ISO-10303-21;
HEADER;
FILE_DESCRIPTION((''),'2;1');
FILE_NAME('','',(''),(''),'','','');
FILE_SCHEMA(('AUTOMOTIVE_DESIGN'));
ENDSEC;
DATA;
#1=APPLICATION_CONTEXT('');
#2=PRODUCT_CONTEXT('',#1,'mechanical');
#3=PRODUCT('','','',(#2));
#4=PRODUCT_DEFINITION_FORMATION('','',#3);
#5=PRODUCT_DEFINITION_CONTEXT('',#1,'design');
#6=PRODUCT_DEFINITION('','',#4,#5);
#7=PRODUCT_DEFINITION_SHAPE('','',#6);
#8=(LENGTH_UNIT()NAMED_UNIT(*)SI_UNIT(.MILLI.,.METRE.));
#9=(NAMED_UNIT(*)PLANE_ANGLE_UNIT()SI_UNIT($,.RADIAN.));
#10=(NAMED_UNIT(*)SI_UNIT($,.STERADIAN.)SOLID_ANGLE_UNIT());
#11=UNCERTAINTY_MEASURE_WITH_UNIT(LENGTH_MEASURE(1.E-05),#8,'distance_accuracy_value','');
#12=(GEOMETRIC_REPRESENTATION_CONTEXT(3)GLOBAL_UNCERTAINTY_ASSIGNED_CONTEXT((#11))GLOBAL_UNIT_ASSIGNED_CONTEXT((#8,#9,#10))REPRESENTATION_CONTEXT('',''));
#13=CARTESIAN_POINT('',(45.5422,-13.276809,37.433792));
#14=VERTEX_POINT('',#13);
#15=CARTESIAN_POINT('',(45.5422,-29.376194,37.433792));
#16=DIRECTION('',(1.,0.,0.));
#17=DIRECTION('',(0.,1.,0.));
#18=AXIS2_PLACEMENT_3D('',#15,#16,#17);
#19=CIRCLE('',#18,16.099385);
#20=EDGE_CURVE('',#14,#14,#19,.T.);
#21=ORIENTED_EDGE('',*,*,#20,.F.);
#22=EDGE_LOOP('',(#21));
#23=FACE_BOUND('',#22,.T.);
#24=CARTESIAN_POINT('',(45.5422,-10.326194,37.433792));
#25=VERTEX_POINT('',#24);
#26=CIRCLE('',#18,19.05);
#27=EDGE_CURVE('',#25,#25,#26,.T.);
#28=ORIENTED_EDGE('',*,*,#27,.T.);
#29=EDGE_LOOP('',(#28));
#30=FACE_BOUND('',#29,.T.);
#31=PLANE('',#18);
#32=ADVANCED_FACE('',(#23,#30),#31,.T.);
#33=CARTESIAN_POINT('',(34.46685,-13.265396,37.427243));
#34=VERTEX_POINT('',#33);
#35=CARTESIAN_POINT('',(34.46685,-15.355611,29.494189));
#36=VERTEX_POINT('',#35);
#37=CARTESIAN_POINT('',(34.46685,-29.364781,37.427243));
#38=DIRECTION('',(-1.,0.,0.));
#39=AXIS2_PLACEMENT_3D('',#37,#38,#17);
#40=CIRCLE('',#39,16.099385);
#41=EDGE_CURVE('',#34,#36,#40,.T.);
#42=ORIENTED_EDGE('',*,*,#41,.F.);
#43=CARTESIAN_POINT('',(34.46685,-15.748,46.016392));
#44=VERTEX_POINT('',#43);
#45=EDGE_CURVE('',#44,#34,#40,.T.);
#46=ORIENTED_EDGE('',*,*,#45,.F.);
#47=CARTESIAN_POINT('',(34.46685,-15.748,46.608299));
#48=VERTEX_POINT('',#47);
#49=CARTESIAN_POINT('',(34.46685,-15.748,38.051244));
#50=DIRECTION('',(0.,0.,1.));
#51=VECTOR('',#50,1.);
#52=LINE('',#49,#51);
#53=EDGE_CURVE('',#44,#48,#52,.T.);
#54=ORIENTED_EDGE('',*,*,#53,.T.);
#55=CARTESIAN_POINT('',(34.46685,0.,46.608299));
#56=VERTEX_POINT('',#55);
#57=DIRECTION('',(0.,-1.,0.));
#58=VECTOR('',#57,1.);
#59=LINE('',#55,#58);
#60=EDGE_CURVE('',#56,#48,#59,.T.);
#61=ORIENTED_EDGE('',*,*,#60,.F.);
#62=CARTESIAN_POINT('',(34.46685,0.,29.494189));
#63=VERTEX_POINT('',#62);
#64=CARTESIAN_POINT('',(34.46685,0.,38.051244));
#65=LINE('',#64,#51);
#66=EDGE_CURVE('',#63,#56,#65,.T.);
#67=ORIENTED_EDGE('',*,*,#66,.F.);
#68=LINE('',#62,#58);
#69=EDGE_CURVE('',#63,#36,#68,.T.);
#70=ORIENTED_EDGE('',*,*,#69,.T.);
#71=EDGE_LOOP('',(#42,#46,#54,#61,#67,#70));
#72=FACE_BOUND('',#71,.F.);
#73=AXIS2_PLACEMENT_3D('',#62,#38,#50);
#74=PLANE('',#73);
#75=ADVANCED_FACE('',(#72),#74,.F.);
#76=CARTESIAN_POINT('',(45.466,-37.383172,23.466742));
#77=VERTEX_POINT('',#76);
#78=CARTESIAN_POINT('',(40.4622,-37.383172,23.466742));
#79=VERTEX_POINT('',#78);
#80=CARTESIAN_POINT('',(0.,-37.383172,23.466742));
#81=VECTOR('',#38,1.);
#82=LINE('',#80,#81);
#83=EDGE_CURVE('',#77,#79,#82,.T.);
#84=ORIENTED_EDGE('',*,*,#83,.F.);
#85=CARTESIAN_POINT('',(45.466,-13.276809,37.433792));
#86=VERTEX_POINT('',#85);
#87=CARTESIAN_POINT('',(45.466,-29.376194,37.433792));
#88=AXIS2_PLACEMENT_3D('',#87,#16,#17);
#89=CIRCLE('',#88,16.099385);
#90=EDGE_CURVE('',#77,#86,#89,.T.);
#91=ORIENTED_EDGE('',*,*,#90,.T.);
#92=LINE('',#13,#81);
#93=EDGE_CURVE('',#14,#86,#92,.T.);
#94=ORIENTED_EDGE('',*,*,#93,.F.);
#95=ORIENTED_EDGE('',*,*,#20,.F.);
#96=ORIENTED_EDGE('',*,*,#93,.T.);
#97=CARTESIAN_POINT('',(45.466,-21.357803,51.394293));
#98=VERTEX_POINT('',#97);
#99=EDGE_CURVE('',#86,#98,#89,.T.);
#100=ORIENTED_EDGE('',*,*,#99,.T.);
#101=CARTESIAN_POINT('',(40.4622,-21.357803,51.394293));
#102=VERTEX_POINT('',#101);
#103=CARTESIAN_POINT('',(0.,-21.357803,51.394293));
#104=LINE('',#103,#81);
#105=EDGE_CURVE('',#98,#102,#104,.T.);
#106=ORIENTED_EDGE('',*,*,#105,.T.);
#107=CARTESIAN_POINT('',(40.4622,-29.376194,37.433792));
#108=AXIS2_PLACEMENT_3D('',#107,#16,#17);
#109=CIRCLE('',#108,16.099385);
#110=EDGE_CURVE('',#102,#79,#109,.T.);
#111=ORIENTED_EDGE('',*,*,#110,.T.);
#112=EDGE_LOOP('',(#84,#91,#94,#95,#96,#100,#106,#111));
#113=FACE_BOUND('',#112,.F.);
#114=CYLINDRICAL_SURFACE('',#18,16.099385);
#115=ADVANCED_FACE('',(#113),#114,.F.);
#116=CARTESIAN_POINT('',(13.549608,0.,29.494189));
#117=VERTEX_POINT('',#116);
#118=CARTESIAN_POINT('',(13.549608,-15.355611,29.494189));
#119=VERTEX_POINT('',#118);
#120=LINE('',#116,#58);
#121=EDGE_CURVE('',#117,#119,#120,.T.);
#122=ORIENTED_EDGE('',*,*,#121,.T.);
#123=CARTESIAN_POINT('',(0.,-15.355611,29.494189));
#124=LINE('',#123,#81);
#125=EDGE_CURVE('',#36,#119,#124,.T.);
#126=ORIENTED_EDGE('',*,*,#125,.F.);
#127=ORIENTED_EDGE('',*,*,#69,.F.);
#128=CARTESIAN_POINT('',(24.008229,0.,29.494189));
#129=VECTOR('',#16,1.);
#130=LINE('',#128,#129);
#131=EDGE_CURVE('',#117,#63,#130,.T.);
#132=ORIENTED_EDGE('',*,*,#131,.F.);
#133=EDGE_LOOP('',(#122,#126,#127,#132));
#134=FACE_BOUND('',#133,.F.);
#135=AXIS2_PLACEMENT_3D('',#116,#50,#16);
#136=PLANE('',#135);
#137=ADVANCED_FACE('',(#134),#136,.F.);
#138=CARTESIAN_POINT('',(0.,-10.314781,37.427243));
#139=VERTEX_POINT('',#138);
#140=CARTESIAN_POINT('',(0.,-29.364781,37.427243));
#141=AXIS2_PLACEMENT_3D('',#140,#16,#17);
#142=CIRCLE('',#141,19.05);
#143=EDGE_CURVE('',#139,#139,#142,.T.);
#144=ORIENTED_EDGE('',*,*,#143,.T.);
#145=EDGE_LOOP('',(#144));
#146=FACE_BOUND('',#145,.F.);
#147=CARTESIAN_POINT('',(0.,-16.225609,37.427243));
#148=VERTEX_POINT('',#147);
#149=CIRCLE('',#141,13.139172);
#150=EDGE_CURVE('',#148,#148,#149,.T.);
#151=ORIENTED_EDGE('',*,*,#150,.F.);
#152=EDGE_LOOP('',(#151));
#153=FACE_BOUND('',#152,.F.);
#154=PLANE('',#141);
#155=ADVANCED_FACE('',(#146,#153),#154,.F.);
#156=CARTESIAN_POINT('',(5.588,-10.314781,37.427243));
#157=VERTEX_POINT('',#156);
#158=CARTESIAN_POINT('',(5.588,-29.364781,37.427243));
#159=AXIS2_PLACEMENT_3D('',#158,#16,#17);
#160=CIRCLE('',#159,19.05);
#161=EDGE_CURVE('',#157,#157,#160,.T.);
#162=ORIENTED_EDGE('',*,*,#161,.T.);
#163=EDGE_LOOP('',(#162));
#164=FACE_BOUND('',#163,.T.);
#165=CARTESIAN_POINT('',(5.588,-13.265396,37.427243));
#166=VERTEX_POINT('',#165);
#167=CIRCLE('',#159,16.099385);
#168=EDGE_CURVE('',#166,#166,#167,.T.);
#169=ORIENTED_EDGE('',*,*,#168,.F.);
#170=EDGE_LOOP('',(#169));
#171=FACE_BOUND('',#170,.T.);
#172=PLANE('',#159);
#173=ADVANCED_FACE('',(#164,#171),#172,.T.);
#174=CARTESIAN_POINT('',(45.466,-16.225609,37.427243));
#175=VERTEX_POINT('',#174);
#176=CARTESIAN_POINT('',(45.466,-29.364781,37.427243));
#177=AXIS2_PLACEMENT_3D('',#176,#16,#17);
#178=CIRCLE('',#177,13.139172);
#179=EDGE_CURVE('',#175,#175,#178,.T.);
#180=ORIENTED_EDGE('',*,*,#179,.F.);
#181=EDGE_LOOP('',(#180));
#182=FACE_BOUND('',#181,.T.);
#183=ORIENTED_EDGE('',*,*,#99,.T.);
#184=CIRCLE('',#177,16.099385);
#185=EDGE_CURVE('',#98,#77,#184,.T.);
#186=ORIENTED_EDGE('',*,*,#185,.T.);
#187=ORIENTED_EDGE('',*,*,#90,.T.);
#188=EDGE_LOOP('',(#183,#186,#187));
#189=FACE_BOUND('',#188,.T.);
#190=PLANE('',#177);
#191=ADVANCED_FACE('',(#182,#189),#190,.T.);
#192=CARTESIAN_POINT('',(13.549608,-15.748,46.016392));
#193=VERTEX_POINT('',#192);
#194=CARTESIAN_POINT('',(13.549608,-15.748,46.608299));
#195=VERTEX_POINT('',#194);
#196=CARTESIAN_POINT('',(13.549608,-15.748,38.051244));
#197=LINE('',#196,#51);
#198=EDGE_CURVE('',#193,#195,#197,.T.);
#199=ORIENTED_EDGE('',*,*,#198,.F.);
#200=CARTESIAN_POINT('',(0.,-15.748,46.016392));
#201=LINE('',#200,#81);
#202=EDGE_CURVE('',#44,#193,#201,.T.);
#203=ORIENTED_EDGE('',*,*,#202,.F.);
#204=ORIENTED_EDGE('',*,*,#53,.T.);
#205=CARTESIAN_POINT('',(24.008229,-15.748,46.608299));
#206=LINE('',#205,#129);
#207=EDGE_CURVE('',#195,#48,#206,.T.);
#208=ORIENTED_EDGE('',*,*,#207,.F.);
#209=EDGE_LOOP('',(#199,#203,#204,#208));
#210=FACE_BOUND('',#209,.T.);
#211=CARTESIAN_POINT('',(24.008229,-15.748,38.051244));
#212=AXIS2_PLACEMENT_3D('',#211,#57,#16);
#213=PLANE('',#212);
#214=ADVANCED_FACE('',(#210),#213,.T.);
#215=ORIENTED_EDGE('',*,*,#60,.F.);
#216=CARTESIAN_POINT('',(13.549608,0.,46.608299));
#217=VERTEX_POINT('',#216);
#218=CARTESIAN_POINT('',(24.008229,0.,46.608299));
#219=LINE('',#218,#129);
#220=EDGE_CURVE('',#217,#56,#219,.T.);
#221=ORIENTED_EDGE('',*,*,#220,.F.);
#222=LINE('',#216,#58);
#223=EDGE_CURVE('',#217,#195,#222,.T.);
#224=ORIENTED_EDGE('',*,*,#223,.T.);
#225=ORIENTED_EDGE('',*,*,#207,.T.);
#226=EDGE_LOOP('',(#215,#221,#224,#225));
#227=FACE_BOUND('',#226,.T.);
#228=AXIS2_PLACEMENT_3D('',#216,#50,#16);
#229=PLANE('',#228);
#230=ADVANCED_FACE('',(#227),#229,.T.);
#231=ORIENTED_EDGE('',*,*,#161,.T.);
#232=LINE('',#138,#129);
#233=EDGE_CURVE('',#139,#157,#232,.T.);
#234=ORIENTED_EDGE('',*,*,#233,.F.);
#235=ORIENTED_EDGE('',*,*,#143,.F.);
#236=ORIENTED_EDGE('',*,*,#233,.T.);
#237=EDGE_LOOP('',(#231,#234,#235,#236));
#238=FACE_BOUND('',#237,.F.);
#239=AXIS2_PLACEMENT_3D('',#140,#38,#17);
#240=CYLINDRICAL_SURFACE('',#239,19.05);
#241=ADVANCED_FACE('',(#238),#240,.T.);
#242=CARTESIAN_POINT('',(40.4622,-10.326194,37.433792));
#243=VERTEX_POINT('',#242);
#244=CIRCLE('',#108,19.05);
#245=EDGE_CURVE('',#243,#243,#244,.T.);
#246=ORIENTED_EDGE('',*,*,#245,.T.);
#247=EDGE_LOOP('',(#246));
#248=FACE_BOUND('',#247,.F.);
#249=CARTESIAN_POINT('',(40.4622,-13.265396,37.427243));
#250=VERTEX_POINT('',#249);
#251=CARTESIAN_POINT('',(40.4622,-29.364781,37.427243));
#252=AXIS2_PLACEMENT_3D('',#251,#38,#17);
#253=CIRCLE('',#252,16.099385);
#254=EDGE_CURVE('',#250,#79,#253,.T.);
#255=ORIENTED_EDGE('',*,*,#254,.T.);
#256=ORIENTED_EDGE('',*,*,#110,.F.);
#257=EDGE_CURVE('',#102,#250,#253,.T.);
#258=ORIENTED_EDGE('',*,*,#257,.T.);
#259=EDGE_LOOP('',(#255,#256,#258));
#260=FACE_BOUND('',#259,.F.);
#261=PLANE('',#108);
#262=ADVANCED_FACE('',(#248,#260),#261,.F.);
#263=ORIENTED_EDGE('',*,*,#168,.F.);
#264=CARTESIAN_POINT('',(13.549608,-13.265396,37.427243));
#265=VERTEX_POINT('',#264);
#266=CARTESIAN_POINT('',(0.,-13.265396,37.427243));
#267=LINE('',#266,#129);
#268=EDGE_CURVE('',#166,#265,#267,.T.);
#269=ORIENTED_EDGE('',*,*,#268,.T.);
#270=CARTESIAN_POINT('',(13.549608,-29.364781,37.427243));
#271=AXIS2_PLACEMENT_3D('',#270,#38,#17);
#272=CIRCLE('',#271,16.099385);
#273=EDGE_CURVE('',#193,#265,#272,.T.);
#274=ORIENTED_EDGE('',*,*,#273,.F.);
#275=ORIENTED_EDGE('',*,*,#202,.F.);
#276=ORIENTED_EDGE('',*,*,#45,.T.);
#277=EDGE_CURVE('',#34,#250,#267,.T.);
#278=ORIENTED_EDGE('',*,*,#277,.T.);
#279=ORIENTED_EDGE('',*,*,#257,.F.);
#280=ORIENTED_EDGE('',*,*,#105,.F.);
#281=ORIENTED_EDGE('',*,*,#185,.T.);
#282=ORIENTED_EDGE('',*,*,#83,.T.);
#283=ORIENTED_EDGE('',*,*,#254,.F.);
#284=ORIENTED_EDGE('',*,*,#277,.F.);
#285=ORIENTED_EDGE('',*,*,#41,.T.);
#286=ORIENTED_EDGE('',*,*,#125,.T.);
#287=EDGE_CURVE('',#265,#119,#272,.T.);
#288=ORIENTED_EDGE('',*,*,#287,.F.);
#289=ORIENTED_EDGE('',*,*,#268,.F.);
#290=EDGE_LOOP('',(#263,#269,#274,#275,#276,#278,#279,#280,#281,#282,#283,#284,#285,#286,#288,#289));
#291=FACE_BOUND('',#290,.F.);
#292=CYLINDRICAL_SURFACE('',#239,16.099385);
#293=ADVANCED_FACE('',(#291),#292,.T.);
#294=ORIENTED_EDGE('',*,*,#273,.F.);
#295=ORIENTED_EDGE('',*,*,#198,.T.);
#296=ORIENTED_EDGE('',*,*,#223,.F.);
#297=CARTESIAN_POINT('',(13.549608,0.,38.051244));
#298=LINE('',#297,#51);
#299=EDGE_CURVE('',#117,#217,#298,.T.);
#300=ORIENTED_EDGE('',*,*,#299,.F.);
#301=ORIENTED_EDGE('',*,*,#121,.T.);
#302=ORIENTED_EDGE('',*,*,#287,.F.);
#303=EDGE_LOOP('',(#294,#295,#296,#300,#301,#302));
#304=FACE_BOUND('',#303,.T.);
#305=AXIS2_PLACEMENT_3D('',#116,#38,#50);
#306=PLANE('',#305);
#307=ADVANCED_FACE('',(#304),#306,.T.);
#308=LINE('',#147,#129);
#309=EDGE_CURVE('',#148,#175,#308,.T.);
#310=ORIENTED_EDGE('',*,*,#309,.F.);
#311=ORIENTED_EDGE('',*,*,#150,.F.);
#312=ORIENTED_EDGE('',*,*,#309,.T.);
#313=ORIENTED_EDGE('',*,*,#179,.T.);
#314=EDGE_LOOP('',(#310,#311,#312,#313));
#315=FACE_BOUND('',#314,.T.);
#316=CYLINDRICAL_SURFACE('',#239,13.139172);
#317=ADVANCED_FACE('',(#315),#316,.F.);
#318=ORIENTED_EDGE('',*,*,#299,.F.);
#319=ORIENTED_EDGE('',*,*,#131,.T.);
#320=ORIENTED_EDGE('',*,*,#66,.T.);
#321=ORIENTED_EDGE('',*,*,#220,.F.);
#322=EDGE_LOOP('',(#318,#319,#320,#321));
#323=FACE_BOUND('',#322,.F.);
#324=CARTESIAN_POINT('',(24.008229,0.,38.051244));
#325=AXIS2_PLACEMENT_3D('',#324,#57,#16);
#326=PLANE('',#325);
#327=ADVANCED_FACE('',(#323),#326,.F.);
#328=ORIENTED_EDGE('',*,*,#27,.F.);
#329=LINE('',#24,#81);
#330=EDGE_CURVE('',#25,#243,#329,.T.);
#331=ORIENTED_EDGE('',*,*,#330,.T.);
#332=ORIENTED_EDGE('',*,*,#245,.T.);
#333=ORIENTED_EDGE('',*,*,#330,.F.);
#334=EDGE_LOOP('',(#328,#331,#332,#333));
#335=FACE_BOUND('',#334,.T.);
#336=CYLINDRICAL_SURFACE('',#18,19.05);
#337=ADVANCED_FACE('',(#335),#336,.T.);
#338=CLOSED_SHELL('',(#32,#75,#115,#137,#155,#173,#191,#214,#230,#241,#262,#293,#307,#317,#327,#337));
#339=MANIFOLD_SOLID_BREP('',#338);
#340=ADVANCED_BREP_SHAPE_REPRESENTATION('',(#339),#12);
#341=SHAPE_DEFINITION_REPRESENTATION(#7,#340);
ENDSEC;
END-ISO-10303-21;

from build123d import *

# Parameters (mm, degrees)
F0_R     = 19.05
F0_R_2   = 16.099385
F1_DEPTH = 5.588
F0_R_3   = 13.139172
F2_DEPTH = 45.466
F4_R     = 19.05
F4_R_2   = 16.099385
F5_DEPTH = 5.08
F6_W     = 20.917241
F6_H     = 17.11411
F7_DEPTH = 15.748


with BuildPart() as f1:
    # F0 (on Right) → F1 (new body)
    with BuildSketch(Plane.YZ):
        with Locations((-29.364781, 37.427243)):
            Circle(F0_R)
        with Locations((-29.364781, 37.427243)):
            Circle(F0_R_2, mode=Mode.SUBTRACT)
    extrude(amount=F1_DEPTH)

    # F0 (on Right) → F2 (join)
    with BuildSketch(Plane.YZ):
        with Locations((-29.364781, 37.427243)):
            Circle(F0_R_2)
        with Locations((-29.364781, 37.427243)):
            Circle(F0_R_3, mode=Mode.SUBTRACT)
    extrude(amount=F2_DEPTH)

    # F4 (on offset) → F5 (join)
    with BuildSketch(Plane.YZ.offset(45.5422)):
        with Locations((-29.376194, 37.433792)):
            Circle(F4_R)
        with Locations((-29.376194, 37.433792)):
            Circle(F4_R_2, mode=Mode.SUBTRACT)
    extrude(amount=-F5_DEPTH)

    # F6 (on Front) → F7 (join)
    with BuildSketch(Plane.XZ):
        with Locations((24.008229, 38.051244)):
            Rectangle(F6_W, F6_H)
    extrude(amount=F7_DEPTH)


solid = f1.part
